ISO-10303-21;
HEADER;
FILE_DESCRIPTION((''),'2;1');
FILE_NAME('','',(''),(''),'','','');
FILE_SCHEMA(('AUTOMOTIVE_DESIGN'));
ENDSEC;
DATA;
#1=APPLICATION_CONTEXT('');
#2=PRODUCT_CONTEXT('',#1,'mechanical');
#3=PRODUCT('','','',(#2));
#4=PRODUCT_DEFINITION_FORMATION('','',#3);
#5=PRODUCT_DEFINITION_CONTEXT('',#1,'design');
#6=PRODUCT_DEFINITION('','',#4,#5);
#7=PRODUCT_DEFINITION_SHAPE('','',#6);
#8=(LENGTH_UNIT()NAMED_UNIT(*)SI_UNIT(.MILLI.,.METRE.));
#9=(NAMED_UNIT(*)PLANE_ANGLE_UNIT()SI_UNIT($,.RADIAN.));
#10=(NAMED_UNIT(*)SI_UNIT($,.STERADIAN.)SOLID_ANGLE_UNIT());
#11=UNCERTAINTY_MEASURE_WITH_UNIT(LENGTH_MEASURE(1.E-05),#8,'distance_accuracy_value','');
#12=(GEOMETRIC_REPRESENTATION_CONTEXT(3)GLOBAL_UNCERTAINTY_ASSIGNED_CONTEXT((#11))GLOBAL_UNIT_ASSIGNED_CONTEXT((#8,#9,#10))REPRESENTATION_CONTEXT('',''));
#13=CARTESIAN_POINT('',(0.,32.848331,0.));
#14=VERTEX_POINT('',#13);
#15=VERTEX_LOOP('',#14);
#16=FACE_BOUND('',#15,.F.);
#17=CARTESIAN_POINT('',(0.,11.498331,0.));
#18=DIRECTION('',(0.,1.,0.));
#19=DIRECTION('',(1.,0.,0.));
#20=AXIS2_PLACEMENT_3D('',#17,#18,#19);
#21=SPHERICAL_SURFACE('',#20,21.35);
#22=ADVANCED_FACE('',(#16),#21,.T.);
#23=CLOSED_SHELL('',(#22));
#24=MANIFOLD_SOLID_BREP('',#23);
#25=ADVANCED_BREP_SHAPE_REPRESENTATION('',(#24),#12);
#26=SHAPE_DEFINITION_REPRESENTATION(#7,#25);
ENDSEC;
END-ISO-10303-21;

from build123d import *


with BuildPart() as part:
    # Sketch1 → Revolve1 (revolve)
    with BuildSketch(Plane.XY):
        with BuildLine():
            Line((0, 32.848331485), (0, -9.851668515))
            ThreePointArc((0, -9.851668515), (21.35, 11.498331485), (0, 32.848331485))
        make_face()
    revolve(axis=Axis((0, 32.848331485, 0), (0, -1, 0)))


solid = part.part
